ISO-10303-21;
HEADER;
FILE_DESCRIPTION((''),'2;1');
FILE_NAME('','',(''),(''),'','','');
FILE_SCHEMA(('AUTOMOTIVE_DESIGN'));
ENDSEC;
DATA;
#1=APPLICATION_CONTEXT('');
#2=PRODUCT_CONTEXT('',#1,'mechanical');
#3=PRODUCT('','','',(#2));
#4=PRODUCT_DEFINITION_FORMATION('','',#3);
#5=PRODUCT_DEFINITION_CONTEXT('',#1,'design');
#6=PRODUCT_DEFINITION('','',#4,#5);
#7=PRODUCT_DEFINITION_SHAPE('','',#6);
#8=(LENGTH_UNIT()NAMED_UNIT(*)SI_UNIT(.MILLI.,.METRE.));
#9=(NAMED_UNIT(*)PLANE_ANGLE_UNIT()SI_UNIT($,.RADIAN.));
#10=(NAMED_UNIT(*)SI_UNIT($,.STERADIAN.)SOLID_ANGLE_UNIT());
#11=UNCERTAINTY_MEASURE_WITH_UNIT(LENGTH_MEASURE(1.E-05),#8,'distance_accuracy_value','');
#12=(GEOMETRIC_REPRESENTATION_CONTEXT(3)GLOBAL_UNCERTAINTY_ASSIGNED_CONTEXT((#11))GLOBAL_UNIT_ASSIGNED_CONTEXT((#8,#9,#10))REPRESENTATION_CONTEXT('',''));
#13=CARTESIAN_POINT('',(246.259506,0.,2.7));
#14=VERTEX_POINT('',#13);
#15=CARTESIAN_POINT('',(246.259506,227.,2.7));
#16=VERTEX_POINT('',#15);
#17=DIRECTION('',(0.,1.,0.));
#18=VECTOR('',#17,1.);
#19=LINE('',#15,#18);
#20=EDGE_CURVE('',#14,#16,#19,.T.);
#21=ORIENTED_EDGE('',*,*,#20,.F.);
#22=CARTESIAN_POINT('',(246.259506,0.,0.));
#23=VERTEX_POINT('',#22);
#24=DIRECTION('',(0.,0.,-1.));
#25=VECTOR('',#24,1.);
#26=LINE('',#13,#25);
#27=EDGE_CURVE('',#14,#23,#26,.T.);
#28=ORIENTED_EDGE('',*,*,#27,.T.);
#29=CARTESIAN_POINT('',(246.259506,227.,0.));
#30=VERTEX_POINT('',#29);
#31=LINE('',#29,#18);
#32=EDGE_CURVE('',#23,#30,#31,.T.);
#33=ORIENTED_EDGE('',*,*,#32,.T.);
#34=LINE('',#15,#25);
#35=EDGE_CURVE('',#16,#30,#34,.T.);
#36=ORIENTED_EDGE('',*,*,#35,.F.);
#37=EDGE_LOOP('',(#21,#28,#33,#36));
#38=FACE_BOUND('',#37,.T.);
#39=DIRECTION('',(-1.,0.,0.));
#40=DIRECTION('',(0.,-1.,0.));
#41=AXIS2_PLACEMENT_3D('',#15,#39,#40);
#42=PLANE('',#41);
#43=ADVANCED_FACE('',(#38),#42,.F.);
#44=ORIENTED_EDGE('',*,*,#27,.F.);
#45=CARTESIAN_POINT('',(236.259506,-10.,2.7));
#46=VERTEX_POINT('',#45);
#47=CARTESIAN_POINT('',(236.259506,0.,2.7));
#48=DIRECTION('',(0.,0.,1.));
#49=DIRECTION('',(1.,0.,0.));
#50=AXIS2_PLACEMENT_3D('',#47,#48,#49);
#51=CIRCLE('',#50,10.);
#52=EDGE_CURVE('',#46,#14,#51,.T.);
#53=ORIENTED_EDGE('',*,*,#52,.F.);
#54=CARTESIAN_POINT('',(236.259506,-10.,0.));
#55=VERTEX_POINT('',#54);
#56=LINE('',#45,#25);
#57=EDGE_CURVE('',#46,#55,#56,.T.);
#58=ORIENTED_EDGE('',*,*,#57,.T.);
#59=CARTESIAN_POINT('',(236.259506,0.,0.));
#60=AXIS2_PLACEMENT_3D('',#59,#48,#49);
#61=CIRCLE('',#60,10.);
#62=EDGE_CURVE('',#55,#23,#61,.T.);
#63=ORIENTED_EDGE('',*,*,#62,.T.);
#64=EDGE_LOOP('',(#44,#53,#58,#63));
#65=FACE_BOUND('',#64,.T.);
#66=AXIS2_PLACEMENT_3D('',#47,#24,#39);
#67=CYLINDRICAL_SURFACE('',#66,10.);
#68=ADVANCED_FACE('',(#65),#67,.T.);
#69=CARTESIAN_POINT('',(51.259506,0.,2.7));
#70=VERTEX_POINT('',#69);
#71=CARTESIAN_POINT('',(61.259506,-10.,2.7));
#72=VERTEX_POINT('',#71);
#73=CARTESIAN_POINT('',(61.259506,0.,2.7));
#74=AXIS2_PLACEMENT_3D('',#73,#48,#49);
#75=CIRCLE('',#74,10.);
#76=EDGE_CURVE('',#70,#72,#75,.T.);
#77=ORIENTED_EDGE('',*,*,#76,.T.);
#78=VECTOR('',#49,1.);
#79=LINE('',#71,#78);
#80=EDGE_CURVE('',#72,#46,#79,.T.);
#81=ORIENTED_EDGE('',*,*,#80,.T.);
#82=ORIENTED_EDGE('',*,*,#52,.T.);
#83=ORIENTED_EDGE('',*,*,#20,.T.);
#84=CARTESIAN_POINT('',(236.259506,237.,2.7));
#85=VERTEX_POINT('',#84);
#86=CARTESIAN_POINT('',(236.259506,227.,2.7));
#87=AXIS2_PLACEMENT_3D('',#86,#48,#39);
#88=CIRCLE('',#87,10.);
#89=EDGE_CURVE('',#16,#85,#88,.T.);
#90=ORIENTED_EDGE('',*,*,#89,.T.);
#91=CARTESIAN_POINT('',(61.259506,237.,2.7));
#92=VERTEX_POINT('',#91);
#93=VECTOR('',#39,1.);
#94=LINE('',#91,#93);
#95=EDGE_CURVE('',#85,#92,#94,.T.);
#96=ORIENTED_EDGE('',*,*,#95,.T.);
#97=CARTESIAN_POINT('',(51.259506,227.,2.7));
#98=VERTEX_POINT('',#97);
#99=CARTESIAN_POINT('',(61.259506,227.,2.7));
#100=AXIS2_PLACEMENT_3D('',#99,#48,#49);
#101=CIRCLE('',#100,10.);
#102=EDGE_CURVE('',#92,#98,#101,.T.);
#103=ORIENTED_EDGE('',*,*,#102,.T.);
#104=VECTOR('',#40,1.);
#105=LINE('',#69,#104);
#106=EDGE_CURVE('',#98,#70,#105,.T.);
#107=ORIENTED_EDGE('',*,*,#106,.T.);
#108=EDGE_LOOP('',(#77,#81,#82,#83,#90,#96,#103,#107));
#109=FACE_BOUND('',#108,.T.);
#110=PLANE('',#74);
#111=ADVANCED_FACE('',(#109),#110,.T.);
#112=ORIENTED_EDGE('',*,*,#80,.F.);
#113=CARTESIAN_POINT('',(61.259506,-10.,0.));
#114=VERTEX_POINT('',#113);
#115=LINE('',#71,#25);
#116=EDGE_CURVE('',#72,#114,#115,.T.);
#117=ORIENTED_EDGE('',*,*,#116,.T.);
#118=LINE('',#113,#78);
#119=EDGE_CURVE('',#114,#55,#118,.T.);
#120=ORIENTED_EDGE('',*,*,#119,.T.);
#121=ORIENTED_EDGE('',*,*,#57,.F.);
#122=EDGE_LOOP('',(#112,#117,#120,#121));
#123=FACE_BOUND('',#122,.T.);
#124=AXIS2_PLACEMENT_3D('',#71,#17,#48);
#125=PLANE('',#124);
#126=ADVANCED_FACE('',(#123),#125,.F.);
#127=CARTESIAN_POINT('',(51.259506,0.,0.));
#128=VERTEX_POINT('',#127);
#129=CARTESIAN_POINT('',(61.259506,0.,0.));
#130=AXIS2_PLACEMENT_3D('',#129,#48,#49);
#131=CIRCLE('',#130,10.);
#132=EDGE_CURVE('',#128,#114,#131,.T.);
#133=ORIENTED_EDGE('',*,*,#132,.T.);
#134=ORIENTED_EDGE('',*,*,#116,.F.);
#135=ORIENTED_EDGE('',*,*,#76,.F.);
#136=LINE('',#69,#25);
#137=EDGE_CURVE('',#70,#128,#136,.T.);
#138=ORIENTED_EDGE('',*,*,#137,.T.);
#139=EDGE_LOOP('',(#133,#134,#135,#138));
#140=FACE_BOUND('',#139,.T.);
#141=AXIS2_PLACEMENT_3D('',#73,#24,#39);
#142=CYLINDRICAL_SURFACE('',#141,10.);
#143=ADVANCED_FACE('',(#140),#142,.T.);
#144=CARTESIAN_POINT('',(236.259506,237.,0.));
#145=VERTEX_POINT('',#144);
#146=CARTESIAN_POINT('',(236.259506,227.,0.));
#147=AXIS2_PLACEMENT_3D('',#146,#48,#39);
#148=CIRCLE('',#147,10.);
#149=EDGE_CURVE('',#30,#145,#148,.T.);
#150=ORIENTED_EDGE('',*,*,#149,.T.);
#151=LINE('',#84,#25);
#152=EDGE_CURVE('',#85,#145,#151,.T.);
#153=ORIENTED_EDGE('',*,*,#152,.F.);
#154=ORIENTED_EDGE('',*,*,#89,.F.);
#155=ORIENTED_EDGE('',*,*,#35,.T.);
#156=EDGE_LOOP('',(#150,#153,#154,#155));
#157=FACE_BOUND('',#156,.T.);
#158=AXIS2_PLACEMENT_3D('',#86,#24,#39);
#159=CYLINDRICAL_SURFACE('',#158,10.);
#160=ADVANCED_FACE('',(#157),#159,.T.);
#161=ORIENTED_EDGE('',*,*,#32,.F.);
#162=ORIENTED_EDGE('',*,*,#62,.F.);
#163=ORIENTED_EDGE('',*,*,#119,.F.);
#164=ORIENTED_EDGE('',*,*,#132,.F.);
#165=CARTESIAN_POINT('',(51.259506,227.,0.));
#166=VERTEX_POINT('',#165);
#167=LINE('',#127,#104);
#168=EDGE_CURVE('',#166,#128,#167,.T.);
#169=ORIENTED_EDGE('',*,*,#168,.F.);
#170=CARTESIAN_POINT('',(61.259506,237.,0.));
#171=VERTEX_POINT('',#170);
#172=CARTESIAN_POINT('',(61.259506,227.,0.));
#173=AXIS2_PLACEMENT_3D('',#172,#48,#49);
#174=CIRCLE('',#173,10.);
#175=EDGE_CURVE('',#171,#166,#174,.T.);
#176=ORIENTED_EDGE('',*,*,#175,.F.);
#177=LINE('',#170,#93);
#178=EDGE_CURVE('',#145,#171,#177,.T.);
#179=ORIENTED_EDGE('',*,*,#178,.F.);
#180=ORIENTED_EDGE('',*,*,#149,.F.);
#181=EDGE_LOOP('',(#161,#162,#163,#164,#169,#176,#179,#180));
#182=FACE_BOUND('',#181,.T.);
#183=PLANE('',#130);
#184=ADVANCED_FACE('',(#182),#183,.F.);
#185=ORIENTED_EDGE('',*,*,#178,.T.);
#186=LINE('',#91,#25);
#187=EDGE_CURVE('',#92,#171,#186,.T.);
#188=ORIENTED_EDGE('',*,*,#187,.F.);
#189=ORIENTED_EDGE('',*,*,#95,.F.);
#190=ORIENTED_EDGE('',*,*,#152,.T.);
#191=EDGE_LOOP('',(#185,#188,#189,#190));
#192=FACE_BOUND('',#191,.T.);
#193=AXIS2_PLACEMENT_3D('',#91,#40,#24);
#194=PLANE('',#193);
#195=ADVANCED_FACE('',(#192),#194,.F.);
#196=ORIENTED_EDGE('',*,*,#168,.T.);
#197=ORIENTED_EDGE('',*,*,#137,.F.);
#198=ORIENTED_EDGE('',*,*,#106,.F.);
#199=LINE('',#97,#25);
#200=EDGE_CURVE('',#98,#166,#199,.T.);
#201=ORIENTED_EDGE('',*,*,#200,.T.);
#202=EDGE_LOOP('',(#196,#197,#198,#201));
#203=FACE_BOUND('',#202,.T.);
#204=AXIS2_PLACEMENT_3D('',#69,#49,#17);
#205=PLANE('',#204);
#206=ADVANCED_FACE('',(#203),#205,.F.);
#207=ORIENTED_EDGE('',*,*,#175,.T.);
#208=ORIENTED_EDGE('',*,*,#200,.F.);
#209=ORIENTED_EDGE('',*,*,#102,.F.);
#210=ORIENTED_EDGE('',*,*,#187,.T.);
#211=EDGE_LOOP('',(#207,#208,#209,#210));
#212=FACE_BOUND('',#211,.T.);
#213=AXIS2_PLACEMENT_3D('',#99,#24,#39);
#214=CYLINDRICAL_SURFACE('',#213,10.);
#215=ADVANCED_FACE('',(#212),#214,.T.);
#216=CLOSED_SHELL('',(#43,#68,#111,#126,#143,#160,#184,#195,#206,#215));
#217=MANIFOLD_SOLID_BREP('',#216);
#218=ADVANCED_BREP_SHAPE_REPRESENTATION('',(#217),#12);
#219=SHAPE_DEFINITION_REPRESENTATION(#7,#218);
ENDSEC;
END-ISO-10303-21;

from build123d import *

# Parameters (mm, degrees)
BOSS_EXTRUDE1_DEPTH = 2.7


with BuildPart() as part:
    # Sketch2 → Boss-Extrude1 (new body)
    with BuildSketch(Plane.XY):
        with BuildLine():
            Line((61.259505675, 237), (236.259505675, 237))
            ThreePointArc((236.259505675, 237), (243.330573487, 234.071067812), (246.259505675, 227))
            Line((246.259505675, 227), (246.259505675, 0))
            ThreePointArc((246.259505675, 0), (243.330573487, -7.071067812), (236.259505675, -10))
            Line((236.259505675, -10), (61.259505675, -10))
            ThreePointArc((61.259505675, -10), (54.188437863, -7.071067812), (51.259505675, 0))
            Line((51.259505675, 0), (51.259505675, 227))
            ThreePointArc((51.259505675, 227), (54.188437863, 234.071067812), (61.259505675, 237))
        make_face()
    extrude(amount=BOSS_EXTRUDE1_DEPTH)


solid = part.part
